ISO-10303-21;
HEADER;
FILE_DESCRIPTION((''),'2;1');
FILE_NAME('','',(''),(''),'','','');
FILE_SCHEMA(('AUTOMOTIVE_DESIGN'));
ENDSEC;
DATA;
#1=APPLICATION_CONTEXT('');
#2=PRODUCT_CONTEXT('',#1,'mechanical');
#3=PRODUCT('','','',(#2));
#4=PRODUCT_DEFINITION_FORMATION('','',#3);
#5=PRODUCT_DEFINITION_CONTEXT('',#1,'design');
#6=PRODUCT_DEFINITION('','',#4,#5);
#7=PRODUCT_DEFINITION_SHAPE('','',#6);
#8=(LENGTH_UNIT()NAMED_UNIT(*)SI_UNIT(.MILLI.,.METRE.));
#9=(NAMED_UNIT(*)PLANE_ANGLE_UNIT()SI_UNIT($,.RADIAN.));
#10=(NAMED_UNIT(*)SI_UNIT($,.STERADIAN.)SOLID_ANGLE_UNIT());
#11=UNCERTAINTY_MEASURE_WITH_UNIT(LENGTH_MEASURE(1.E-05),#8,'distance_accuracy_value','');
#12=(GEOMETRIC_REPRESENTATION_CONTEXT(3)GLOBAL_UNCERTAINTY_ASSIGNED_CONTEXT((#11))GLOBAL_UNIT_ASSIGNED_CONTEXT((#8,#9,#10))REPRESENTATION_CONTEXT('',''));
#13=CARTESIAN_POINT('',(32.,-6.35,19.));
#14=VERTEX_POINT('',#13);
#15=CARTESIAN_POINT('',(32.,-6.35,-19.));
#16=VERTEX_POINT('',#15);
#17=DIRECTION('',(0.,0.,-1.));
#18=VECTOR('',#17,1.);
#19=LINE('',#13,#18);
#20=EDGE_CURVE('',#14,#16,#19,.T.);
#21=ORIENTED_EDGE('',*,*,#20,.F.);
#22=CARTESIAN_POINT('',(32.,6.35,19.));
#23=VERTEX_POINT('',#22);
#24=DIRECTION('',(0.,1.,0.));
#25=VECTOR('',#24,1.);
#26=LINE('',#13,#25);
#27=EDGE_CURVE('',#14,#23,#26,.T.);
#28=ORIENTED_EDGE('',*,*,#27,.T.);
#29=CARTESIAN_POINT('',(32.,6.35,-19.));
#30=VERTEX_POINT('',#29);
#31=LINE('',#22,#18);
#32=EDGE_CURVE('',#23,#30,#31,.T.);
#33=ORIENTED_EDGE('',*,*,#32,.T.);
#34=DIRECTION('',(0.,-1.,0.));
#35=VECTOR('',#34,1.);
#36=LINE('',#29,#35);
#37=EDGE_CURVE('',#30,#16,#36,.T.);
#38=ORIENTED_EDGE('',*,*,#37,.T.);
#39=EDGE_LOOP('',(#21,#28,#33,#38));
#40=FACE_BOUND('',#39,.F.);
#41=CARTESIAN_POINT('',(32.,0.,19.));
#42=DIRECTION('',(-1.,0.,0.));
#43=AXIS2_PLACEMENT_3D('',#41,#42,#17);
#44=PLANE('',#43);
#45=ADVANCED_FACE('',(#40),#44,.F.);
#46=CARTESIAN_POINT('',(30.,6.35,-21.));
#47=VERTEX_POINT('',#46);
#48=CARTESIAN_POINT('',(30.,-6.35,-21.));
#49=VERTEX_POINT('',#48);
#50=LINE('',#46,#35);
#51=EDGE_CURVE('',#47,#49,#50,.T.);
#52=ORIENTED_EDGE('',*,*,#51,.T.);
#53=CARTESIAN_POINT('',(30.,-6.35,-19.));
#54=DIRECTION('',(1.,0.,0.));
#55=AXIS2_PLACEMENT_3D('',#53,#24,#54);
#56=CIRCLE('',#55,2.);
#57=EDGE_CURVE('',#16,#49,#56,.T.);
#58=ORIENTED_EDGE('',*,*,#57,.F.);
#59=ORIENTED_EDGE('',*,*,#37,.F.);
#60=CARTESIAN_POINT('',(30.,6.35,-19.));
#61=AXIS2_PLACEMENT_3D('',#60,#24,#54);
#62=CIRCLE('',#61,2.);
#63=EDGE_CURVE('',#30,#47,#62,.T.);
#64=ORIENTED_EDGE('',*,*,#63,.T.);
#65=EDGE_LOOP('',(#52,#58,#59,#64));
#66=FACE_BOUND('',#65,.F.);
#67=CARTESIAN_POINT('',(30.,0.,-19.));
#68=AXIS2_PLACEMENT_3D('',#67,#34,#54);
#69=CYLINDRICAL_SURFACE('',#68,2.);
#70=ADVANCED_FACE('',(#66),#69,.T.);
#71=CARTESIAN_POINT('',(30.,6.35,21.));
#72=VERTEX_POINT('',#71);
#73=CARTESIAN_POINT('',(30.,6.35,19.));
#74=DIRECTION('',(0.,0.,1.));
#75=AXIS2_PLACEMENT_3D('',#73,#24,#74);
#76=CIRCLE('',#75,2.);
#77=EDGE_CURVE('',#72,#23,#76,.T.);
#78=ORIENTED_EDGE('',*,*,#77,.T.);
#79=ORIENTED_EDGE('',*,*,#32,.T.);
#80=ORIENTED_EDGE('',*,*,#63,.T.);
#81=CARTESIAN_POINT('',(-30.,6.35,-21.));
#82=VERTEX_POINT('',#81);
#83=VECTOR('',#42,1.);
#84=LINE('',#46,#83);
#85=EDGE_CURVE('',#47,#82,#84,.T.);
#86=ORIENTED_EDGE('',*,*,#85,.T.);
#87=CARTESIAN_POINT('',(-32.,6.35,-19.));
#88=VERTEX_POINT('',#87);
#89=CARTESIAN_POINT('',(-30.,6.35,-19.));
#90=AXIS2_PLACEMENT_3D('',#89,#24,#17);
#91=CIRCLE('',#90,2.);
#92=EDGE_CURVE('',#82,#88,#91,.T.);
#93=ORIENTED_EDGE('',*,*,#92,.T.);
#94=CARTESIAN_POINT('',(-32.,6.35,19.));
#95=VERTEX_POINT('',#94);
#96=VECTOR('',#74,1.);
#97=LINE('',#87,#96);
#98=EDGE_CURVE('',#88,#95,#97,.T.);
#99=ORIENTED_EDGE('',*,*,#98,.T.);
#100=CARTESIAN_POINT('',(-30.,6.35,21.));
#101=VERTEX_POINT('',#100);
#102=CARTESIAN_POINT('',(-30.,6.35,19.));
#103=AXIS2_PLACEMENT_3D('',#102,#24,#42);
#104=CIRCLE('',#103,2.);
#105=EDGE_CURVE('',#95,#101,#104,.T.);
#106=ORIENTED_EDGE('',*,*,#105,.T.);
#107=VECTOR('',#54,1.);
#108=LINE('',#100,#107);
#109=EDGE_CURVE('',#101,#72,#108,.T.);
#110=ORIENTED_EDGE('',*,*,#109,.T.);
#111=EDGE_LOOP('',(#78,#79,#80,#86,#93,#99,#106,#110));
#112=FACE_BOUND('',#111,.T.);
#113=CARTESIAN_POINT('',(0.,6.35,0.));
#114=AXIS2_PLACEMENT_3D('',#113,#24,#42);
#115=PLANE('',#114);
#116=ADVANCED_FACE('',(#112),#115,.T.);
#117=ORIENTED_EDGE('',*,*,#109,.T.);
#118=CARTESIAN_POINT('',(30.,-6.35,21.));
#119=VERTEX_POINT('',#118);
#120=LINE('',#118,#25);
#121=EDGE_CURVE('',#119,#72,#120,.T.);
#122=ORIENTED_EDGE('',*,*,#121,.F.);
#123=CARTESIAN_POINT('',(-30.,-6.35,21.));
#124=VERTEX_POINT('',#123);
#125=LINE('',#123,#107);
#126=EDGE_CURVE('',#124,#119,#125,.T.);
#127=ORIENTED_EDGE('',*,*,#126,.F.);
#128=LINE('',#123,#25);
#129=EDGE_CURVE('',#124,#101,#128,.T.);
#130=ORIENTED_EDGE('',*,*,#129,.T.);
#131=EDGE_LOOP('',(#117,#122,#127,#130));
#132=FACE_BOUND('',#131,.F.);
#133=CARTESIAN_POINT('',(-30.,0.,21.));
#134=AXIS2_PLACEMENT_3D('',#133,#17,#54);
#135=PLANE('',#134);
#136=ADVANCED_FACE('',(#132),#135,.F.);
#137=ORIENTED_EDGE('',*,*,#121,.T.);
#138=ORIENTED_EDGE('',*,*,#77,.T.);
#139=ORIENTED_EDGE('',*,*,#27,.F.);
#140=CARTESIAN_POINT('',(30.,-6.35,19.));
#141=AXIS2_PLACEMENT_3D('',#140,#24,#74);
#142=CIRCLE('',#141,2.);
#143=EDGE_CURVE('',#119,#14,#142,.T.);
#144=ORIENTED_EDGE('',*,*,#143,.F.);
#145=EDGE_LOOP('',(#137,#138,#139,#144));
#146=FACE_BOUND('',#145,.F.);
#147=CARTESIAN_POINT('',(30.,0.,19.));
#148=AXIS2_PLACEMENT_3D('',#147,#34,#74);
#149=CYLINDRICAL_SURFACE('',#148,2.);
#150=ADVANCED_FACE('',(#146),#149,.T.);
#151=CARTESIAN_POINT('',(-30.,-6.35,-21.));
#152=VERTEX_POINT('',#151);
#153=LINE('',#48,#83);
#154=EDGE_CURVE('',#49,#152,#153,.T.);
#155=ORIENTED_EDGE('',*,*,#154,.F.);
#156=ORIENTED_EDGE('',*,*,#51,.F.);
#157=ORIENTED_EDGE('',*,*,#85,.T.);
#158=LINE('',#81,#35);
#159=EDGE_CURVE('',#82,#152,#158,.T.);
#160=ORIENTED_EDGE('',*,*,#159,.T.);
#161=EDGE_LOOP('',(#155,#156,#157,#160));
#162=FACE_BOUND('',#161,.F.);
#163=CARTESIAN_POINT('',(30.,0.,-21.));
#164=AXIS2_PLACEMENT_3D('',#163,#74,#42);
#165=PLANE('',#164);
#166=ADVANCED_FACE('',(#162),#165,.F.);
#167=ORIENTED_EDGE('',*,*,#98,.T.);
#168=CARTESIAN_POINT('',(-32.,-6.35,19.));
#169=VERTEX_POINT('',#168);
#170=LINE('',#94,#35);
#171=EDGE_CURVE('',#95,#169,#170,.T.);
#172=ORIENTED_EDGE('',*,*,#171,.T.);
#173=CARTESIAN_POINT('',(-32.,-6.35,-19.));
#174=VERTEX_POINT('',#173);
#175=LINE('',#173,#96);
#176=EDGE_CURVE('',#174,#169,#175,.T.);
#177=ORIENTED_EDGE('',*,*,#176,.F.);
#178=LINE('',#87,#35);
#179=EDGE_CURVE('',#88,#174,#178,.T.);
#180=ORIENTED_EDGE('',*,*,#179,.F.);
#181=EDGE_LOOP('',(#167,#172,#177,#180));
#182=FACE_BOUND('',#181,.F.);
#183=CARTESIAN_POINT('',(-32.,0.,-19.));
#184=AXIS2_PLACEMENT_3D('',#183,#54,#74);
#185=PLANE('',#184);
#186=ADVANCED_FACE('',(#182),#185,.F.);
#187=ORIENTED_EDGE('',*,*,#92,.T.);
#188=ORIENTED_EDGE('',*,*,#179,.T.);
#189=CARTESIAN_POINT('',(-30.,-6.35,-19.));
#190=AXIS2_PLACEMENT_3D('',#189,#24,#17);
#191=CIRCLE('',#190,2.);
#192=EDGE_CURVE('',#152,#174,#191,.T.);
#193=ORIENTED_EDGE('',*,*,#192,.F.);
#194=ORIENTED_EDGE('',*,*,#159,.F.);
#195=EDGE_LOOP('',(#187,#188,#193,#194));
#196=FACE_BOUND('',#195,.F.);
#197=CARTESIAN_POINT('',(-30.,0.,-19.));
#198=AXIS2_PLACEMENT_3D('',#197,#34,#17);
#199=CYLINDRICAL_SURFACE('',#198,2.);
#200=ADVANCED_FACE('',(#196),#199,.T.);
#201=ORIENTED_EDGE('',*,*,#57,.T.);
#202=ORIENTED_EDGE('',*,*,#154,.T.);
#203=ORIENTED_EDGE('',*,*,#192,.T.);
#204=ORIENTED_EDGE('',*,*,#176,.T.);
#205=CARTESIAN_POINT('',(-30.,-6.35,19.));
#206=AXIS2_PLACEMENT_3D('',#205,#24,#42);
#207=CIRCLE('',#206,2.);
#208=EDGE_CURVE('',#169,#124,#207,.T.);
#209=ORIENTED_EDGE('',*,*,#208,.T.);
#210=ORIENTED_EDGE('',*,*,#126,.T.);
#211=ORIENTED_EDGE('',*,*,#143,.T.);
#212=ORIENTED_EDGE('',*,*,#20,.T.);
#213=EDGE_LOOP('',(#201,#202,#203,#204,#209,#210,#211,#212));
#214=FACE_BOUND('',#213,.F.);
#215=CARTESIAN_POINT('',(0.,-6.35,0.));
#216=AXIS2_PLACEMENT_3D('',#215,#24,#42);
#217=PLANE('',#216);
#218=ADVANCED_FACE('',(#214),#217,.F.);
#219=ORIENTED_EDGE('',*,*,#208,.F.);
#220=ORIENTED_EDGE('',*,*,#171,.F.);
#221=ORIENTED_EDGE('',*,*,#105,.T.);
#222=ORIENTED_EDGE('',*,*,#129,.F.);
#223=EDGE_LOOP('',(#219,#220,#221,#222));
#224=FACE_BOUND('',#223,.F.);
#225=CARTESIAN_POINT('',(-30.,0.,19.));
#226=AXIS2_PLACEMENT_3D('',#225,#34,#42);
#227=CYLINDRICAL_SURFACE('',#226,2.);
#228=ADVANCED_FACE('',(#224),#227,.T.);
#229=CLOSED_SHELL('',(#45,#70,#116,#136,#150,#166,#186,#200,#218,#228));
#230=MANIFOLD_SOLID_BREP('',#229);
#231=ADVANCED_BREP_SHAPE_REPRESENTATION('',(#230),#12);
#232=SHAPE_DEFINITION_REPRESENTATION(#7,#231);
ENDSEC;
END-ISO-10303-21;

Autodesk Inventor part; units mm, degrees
ref_plane "YZ Plane" through (0, 0, 0) normal (1, 0, 0) x (0, 1, 0)
ref_plane "XZ Plane" through (0, 0, 0) normal (0, 1, 0) x (-1, 0, 0)
ref_plane "XY Plane" through (0, 0, 0) normal (0, 0, 1) x (1, 0, 0)
sketch "Sketch1" plane through (0, 0, 0) normal (0, 1, 0) x (-1, 0, 0)
  line L0 (30, 21) -> (-30, 21)
  line L1 (-32, 19) -> (-32, -19)
  line L2 (-30, -21) -> (30, -21)
  line L3 (32, -19) -> (32, 19)
  line L4 (32, 21) -> (-32, -21) construction
  line L5 (-32, 21) -> (32, -21) construction
  arc A0 (30, -21) -> (32, -19) centre (30, -19) ccw
  arc A1 (32, 19) -> (30, 21) centre (30, 19) ccw
  arc A2 (-30, 21) -> (-32, 19) centre (-30, 19) ccw
  arc A3 (-32, -19) -> (-30, -21) centre (-30, -19) ccw
  point P0 (0, 0)
  dimension "d0" = 64
  dimension "d1" = 42
  dimension "d2" = 2
extrude "Extrusion1" add sketch "Sketch1" along normal mid plane 12.7
properties part number "PlayerCards_All" material "Paper"
